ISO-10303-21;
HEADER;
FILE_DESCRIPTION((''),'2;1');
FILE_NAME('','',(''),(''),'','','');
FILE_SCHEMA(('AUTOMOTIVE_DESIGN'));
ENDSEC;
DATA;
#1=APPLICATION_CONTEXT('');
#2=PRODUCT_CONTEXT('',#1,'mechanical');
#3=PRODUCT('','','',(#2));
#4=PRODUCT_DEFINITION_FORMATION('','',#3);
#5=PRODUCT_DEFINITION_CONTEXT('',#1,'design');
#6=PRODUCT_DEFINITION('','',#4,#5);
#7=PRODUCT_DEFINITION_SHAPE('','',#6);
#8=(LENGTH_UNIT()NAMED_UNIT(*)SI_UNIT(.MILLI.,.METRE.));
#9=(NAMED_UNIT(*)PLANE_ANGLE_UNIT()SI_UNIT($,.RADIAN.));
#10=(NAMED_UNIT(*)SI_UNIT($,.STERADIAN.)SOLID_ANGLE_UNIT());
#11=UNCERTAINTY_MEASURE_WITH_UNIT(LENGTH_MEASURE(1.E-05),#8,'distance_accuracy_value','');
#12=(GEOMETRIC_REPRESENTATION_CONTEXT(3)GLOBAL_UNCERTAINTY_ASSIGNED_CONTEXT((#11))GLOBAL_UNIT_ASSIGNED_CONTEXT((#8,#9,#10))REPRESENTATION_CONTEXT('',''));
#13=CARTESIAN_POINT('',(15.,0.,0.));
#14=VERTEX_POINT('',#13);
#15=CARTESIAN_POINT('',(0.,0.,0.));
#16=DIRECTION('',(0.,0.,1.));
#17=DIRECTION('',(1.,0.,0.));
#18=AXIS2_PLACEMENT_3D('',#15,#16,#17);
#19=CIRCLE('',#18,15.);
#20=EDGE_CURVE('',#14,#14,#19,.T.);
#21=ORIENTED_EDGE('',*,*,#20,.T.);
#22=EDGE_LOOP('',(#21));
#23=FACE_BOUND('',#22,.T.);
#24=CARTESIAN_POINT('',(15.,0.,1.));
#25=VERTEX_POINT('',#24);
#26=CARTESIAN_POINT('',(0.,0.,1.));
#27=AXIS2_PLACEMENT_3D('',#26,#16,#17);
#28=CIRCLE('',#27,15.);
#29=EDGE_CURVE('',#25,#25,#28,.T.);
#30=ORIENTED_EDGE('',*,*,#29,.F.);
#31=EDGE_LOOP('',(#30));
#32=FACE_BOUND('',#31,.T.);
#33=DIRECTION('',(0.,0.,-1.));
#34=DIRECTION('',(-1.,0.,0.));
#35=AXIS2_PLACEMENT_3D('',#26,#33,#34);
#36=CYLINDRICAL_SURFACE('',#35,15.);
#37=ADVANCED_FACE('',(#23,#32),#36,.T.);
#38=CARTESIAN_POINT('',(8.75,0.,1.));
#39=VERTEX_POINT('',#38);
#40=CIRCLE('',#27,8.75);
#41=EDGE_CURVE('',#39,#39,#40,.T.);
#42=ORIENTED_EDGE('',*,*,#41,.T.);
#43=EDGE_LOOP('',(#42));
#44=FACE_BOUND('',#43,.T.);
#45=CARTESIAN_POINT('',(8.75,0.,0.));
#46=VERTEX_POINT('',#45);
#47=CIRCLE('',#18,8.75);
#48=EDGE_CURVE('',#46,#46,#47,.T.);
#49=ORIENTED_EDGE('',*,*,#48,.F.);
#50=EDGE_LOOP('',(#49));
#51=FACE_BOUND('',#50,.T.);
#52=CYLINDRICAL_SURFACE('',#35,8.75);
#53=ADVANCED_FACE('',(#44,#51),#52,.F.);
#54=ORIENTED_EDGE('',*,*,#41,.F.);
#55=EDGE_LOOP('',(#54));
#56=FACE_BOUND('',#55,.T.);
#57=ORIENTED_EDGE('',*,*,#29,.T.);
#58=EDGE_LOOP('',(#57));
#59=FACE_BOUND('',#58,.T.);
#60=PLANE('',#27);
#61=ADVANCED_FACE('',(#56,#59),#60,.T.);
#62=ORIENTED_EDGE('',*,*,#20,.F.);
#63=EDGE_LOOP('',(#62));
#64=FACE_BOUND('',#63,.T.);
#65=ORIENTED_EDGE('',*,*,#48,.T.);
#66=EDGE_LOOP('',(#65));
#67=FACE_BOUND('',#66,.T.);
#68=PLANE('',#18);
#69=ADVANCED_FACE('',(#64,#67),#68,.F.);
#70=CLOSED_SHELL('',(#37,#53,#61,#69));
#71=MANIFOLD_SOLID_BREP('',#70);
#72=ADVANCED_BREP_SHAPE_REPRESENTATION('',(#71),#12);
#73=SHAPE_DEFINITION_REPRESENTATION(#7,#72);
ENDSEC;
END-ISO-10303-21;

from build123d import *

# Parameters (mm, degrees)
SKETCH_1_R      = 15
SKETCH_1_R_2    = 8.75
EXTRUDE_1_DEPTH = 1


with BuildPart() as part:
    # 草图1 → 凸台-拉伸1 (new body)
    with BuildSketch(Plane.XY):
        Circle(SKETCH_1_R)
        Circle(SKETCH_1_R_2, mode=Mode.SUBTRACT)
    extrude(amount=EXTRUDE_1_DEPTH)


solid = part.part
